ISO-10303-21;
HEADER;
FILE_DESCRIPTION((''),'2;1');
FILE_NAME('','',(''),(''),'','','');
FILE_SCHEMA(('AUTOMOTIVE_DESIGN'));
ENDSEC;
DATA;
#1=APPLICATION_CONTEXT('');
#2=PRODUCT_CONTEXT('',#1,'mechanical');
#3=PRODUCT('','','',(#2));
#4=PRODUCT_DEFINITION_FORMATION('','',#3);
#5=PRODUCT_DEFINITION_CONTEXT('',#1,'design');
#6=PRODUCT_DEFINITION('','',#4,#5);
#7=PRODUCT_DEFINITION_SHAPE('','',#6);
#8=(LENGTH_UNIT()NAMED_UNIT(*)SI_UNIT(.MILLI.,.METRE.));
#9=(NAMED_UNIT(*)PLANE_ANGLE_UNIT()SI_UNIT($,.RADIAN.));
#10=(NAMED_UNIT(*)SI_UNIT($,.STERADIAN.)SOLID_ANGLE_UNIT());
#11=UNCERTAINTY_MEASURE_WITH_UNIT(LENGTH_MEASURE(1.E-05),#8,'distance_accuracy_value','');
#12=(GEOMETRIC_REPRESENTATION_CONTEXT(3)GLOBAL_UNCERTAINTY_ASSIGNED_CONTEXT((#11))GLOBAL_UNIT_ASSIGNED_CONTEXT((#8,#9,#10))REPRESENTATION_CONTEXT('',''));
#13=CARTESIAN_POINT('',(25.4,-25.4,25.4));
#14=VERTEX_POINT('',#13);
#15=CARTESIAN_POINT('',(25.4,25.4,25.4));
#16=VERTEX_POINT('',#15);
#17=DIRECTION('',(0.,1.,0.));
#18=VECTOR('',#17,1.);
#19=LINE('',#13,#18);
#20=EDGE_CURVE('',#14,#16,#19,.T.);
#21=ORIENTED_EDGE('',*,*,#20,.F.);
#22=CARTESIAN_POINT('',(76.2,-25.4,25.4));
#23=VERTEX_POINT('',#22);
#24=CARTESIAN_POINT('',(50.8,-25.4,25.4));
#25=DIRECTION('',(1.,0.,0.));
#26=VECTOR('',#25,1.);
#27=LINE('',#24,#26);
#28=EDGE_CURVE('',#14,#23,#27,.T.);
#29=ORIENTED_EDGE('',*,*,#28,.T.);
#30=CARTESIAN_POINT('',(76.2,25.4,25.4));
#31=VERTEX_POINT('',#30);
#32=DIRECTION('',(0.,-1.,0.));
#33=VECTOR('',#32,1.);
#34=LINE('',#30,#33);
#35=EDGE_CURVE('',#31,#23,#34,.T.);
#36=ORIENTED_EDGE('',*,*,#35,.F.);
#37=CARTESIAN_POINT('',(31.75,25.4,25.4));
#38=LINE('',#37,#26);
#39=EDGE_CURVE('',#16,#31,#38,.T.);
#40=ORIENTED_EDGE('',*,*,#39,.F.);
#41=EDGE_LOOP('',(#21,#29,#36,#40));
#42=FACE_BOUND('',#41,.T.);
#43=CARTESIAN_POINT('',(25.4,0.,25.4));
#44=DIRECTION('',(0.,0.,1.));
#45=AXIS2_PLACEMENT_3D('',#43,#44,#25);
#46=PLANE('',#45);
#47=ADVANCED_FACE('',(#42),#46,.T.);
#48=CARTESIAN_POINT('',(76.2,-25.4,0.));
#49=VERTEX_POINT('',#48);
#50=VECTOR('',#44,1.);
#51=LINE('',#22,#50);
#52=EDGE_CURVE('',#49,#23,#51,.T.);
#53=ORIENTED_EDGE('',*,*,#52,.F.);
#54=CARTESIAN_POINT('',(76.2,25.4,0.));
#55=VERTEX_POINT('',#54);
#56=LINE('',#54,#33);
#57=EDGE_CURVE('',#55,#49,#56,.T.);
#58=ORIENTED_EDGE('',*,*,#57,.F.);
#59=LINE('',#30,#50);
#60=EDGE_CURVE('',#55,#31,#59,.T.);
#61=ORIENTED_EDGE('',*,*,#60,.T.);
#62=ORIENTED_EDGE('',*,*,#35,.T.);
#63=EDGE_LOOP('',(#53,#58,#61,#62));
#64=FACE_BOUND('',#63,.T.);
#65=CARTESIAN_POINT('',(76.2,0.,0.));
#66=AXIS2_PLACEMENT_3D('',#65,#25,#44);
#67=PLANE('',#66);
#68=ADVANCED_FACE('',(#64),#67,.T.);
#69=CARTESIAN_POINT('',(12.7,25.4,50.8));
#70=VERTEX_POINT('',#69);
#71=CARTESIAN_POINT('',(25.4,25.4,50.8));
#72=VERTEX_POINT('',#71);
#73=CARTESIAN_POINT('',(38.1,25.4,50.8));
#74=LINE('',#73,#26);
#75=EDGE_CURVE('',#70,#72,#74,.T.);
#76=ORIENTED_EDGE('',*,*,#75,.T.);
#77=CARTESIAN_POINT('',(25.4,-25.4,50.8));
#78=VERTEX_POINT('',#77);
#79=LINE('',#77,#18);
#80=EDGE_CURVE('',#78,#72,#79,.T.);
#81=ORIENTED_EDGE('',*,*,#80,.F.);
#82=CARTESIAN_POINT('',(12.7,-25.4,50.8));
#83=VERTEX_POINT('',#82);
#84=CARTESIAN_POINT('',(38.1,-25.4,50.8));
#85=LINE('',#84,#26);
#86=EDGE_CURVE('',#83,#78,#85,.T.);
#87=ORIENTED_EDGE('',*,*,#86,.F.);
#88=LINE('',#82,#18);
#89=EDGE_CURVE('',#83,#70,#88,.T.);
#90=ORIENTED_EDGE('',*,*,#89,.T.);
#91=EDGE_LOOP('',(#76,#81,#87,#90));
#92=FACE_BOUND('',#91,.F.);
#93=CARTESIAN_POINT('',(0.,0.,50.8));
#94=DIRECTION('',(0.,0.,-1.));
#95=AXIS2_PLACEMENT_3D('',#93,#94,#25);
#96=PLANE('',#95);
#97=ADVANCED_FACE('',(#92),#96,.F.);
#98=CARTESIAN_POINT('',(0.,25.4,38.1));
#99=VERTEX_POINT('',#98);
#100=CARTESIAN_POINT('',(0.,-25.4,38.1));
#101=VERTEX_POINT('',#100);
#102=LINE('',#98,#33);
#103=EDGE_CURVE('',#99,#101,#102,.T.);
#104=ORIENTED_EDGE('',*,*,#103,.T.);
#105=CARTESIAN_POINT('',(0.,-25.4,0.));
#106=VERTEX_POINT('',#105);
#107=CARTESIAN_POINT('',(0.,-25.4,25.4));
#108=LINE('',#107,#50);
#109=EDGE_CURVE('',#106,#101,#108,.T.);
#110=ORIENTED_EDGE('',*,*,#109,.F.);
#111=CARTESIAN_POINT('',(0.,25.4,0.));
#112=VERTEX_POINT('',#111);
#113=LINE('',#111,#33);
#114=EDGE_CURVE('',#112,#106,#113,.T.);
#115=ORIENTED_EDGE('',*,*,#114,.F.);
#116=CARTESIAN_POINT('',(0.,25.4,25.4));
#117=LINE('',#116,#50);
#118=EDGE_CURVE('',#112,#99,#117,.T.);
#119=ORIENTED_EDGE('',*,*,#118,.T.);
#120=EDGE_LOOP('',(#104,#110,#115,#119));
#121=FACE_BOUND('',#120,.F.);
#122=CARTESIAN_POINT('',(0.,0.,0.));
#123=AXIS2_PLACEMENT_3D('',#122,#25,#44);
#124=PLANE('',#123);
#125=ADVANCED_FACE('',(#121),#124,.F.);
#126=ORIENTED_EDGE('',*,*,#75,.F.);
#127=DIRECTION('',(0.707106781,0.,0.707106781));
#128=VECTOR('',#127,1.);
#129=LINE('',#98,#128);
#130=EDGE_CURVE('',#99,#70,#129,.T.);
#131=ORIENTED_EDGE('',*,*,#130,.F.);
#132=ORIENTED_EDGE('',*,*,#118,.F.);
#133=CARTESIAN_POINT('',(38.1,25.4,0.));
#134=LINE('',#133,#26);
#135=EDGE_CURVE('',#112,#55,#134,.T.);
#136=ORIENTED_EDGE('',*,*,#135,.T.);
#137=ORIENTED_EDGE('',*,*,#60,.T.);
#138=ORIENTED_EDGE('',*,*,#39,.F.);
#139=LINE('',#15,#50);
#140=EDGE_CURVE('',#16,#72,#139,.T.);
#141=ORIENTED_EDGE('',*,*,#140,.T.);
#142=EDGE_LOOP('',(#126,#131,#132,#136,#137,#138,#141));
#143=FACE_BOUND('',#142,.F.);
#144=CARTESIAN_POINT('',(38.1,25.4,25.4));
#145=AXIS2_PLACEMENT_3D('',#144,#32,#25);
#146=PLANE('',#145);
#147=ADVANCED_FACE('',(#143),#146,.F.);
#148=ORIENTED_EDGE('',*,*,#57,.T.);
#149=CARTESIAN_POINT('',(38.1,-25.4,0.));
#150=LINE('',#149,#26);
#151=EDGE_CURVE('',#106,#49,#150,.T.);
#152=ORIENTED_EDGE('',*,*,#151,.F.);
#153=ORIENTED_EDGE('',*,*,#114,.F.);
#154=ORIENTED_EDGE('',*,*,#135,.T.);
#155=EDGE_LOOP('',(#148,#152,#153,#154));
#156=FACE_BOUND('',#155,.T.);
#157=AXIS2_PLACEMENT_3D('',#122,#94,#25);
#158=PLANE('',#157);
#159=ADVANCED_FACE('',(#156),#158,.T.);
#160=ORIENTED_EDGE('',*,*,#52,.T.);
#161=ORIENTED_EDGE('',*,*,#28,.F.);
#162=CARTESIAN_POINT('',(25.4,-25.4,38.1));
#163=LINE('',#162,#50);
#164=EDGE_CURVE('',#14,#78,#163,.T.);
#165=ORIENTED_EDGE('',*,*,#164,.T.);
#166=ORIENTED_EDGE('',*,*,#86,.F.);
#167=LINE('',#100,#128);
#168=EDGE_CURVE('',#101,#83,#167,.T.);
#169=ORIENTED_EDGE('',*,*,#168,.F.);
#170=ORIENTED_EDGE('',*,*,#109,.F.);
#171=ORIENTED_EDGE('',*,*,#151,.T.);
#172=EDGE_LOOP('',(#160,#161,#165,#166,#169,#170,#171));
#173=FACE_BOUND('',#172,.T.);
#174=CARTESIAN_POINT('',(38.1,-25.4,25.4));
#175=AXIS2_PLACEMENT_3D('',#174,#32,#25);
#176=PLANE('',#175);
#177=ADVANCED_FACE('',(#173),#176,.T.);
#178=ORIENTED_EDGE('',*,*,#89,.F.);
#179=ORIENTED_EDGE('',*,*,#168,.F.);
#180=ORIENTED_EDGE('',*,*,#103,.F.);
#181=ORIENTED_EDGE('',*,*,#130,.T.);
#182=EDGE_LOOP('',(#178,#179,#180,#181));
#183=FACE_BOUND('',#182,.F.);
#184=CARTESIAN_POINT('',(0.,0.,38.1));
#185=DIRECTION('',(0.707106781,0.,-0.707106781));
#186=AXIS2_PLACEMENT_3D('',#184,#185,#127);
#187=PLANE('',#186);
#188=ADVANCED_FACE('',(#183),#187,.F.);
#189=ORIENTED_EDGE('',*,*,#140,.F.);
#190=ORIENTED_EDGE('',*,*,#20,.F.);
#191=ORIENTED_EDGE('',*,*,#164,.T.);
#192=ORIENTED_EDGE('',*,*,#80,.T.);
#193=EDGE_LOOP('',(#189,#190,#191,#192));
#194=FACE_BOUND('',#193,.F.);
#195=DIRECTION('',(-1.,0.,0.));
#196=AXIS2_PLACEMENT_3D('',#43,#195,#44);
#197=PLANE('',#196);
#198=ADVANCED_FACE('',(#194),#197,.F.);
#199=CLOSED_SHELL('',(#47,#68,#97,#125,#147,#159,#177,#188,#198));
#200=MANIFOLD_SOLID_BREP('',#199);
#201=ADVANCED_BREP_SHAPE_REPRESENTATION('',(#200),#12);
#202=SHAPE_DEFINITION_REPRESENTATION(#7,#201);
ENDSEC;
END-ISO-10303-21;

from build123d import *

# Parameters (mm, degrees)
F0_W          = 76.2
F0_H          = 50.8
F1_DEPTH      = 25.4
F3_DEPTH      = 25.4
F4_W          = 50.8
F4_H          = 25.4
F5_DEPTH      = 25.4
F5_DEPTH_BACK = 87.34144


with BuildPart() as f1:
    # F0 (on Front) → F1 (new body, symmetric)
    with BuildSketch(Plane.XZ):
        with Locations((38.1, 25.4)):
            Rectangle(F0_W, F0_H)
    extrude(amount=F1_DEPTH, both=True)

    # F2 (on Front) → F3 (cut, symmetric)
    with BuildSketch(Plane.XZ):
        Polygon((0, 50.8), (0, 38.1), (12.7, 50.8), align=None)
    extrude(amount=F3_DEPTH, both=True, mode=Mode.SUBTRACT)

    # F4 (on Front) → F5 (cut, two sides)
    with BuildSketch(Plane.XZ) as f5_sk:
        with Locations((50.8, 38.1)):
            Rectangle(F4_W, F4_H)
    extrude(amount=F5_DEPTH, mode=Mode.SUBTRACT)
    extrude(f5_sk.sketch, amount=-F5_DEPTH_BACK, mode=Mode.SUBTRACT)


solid = f1.part
